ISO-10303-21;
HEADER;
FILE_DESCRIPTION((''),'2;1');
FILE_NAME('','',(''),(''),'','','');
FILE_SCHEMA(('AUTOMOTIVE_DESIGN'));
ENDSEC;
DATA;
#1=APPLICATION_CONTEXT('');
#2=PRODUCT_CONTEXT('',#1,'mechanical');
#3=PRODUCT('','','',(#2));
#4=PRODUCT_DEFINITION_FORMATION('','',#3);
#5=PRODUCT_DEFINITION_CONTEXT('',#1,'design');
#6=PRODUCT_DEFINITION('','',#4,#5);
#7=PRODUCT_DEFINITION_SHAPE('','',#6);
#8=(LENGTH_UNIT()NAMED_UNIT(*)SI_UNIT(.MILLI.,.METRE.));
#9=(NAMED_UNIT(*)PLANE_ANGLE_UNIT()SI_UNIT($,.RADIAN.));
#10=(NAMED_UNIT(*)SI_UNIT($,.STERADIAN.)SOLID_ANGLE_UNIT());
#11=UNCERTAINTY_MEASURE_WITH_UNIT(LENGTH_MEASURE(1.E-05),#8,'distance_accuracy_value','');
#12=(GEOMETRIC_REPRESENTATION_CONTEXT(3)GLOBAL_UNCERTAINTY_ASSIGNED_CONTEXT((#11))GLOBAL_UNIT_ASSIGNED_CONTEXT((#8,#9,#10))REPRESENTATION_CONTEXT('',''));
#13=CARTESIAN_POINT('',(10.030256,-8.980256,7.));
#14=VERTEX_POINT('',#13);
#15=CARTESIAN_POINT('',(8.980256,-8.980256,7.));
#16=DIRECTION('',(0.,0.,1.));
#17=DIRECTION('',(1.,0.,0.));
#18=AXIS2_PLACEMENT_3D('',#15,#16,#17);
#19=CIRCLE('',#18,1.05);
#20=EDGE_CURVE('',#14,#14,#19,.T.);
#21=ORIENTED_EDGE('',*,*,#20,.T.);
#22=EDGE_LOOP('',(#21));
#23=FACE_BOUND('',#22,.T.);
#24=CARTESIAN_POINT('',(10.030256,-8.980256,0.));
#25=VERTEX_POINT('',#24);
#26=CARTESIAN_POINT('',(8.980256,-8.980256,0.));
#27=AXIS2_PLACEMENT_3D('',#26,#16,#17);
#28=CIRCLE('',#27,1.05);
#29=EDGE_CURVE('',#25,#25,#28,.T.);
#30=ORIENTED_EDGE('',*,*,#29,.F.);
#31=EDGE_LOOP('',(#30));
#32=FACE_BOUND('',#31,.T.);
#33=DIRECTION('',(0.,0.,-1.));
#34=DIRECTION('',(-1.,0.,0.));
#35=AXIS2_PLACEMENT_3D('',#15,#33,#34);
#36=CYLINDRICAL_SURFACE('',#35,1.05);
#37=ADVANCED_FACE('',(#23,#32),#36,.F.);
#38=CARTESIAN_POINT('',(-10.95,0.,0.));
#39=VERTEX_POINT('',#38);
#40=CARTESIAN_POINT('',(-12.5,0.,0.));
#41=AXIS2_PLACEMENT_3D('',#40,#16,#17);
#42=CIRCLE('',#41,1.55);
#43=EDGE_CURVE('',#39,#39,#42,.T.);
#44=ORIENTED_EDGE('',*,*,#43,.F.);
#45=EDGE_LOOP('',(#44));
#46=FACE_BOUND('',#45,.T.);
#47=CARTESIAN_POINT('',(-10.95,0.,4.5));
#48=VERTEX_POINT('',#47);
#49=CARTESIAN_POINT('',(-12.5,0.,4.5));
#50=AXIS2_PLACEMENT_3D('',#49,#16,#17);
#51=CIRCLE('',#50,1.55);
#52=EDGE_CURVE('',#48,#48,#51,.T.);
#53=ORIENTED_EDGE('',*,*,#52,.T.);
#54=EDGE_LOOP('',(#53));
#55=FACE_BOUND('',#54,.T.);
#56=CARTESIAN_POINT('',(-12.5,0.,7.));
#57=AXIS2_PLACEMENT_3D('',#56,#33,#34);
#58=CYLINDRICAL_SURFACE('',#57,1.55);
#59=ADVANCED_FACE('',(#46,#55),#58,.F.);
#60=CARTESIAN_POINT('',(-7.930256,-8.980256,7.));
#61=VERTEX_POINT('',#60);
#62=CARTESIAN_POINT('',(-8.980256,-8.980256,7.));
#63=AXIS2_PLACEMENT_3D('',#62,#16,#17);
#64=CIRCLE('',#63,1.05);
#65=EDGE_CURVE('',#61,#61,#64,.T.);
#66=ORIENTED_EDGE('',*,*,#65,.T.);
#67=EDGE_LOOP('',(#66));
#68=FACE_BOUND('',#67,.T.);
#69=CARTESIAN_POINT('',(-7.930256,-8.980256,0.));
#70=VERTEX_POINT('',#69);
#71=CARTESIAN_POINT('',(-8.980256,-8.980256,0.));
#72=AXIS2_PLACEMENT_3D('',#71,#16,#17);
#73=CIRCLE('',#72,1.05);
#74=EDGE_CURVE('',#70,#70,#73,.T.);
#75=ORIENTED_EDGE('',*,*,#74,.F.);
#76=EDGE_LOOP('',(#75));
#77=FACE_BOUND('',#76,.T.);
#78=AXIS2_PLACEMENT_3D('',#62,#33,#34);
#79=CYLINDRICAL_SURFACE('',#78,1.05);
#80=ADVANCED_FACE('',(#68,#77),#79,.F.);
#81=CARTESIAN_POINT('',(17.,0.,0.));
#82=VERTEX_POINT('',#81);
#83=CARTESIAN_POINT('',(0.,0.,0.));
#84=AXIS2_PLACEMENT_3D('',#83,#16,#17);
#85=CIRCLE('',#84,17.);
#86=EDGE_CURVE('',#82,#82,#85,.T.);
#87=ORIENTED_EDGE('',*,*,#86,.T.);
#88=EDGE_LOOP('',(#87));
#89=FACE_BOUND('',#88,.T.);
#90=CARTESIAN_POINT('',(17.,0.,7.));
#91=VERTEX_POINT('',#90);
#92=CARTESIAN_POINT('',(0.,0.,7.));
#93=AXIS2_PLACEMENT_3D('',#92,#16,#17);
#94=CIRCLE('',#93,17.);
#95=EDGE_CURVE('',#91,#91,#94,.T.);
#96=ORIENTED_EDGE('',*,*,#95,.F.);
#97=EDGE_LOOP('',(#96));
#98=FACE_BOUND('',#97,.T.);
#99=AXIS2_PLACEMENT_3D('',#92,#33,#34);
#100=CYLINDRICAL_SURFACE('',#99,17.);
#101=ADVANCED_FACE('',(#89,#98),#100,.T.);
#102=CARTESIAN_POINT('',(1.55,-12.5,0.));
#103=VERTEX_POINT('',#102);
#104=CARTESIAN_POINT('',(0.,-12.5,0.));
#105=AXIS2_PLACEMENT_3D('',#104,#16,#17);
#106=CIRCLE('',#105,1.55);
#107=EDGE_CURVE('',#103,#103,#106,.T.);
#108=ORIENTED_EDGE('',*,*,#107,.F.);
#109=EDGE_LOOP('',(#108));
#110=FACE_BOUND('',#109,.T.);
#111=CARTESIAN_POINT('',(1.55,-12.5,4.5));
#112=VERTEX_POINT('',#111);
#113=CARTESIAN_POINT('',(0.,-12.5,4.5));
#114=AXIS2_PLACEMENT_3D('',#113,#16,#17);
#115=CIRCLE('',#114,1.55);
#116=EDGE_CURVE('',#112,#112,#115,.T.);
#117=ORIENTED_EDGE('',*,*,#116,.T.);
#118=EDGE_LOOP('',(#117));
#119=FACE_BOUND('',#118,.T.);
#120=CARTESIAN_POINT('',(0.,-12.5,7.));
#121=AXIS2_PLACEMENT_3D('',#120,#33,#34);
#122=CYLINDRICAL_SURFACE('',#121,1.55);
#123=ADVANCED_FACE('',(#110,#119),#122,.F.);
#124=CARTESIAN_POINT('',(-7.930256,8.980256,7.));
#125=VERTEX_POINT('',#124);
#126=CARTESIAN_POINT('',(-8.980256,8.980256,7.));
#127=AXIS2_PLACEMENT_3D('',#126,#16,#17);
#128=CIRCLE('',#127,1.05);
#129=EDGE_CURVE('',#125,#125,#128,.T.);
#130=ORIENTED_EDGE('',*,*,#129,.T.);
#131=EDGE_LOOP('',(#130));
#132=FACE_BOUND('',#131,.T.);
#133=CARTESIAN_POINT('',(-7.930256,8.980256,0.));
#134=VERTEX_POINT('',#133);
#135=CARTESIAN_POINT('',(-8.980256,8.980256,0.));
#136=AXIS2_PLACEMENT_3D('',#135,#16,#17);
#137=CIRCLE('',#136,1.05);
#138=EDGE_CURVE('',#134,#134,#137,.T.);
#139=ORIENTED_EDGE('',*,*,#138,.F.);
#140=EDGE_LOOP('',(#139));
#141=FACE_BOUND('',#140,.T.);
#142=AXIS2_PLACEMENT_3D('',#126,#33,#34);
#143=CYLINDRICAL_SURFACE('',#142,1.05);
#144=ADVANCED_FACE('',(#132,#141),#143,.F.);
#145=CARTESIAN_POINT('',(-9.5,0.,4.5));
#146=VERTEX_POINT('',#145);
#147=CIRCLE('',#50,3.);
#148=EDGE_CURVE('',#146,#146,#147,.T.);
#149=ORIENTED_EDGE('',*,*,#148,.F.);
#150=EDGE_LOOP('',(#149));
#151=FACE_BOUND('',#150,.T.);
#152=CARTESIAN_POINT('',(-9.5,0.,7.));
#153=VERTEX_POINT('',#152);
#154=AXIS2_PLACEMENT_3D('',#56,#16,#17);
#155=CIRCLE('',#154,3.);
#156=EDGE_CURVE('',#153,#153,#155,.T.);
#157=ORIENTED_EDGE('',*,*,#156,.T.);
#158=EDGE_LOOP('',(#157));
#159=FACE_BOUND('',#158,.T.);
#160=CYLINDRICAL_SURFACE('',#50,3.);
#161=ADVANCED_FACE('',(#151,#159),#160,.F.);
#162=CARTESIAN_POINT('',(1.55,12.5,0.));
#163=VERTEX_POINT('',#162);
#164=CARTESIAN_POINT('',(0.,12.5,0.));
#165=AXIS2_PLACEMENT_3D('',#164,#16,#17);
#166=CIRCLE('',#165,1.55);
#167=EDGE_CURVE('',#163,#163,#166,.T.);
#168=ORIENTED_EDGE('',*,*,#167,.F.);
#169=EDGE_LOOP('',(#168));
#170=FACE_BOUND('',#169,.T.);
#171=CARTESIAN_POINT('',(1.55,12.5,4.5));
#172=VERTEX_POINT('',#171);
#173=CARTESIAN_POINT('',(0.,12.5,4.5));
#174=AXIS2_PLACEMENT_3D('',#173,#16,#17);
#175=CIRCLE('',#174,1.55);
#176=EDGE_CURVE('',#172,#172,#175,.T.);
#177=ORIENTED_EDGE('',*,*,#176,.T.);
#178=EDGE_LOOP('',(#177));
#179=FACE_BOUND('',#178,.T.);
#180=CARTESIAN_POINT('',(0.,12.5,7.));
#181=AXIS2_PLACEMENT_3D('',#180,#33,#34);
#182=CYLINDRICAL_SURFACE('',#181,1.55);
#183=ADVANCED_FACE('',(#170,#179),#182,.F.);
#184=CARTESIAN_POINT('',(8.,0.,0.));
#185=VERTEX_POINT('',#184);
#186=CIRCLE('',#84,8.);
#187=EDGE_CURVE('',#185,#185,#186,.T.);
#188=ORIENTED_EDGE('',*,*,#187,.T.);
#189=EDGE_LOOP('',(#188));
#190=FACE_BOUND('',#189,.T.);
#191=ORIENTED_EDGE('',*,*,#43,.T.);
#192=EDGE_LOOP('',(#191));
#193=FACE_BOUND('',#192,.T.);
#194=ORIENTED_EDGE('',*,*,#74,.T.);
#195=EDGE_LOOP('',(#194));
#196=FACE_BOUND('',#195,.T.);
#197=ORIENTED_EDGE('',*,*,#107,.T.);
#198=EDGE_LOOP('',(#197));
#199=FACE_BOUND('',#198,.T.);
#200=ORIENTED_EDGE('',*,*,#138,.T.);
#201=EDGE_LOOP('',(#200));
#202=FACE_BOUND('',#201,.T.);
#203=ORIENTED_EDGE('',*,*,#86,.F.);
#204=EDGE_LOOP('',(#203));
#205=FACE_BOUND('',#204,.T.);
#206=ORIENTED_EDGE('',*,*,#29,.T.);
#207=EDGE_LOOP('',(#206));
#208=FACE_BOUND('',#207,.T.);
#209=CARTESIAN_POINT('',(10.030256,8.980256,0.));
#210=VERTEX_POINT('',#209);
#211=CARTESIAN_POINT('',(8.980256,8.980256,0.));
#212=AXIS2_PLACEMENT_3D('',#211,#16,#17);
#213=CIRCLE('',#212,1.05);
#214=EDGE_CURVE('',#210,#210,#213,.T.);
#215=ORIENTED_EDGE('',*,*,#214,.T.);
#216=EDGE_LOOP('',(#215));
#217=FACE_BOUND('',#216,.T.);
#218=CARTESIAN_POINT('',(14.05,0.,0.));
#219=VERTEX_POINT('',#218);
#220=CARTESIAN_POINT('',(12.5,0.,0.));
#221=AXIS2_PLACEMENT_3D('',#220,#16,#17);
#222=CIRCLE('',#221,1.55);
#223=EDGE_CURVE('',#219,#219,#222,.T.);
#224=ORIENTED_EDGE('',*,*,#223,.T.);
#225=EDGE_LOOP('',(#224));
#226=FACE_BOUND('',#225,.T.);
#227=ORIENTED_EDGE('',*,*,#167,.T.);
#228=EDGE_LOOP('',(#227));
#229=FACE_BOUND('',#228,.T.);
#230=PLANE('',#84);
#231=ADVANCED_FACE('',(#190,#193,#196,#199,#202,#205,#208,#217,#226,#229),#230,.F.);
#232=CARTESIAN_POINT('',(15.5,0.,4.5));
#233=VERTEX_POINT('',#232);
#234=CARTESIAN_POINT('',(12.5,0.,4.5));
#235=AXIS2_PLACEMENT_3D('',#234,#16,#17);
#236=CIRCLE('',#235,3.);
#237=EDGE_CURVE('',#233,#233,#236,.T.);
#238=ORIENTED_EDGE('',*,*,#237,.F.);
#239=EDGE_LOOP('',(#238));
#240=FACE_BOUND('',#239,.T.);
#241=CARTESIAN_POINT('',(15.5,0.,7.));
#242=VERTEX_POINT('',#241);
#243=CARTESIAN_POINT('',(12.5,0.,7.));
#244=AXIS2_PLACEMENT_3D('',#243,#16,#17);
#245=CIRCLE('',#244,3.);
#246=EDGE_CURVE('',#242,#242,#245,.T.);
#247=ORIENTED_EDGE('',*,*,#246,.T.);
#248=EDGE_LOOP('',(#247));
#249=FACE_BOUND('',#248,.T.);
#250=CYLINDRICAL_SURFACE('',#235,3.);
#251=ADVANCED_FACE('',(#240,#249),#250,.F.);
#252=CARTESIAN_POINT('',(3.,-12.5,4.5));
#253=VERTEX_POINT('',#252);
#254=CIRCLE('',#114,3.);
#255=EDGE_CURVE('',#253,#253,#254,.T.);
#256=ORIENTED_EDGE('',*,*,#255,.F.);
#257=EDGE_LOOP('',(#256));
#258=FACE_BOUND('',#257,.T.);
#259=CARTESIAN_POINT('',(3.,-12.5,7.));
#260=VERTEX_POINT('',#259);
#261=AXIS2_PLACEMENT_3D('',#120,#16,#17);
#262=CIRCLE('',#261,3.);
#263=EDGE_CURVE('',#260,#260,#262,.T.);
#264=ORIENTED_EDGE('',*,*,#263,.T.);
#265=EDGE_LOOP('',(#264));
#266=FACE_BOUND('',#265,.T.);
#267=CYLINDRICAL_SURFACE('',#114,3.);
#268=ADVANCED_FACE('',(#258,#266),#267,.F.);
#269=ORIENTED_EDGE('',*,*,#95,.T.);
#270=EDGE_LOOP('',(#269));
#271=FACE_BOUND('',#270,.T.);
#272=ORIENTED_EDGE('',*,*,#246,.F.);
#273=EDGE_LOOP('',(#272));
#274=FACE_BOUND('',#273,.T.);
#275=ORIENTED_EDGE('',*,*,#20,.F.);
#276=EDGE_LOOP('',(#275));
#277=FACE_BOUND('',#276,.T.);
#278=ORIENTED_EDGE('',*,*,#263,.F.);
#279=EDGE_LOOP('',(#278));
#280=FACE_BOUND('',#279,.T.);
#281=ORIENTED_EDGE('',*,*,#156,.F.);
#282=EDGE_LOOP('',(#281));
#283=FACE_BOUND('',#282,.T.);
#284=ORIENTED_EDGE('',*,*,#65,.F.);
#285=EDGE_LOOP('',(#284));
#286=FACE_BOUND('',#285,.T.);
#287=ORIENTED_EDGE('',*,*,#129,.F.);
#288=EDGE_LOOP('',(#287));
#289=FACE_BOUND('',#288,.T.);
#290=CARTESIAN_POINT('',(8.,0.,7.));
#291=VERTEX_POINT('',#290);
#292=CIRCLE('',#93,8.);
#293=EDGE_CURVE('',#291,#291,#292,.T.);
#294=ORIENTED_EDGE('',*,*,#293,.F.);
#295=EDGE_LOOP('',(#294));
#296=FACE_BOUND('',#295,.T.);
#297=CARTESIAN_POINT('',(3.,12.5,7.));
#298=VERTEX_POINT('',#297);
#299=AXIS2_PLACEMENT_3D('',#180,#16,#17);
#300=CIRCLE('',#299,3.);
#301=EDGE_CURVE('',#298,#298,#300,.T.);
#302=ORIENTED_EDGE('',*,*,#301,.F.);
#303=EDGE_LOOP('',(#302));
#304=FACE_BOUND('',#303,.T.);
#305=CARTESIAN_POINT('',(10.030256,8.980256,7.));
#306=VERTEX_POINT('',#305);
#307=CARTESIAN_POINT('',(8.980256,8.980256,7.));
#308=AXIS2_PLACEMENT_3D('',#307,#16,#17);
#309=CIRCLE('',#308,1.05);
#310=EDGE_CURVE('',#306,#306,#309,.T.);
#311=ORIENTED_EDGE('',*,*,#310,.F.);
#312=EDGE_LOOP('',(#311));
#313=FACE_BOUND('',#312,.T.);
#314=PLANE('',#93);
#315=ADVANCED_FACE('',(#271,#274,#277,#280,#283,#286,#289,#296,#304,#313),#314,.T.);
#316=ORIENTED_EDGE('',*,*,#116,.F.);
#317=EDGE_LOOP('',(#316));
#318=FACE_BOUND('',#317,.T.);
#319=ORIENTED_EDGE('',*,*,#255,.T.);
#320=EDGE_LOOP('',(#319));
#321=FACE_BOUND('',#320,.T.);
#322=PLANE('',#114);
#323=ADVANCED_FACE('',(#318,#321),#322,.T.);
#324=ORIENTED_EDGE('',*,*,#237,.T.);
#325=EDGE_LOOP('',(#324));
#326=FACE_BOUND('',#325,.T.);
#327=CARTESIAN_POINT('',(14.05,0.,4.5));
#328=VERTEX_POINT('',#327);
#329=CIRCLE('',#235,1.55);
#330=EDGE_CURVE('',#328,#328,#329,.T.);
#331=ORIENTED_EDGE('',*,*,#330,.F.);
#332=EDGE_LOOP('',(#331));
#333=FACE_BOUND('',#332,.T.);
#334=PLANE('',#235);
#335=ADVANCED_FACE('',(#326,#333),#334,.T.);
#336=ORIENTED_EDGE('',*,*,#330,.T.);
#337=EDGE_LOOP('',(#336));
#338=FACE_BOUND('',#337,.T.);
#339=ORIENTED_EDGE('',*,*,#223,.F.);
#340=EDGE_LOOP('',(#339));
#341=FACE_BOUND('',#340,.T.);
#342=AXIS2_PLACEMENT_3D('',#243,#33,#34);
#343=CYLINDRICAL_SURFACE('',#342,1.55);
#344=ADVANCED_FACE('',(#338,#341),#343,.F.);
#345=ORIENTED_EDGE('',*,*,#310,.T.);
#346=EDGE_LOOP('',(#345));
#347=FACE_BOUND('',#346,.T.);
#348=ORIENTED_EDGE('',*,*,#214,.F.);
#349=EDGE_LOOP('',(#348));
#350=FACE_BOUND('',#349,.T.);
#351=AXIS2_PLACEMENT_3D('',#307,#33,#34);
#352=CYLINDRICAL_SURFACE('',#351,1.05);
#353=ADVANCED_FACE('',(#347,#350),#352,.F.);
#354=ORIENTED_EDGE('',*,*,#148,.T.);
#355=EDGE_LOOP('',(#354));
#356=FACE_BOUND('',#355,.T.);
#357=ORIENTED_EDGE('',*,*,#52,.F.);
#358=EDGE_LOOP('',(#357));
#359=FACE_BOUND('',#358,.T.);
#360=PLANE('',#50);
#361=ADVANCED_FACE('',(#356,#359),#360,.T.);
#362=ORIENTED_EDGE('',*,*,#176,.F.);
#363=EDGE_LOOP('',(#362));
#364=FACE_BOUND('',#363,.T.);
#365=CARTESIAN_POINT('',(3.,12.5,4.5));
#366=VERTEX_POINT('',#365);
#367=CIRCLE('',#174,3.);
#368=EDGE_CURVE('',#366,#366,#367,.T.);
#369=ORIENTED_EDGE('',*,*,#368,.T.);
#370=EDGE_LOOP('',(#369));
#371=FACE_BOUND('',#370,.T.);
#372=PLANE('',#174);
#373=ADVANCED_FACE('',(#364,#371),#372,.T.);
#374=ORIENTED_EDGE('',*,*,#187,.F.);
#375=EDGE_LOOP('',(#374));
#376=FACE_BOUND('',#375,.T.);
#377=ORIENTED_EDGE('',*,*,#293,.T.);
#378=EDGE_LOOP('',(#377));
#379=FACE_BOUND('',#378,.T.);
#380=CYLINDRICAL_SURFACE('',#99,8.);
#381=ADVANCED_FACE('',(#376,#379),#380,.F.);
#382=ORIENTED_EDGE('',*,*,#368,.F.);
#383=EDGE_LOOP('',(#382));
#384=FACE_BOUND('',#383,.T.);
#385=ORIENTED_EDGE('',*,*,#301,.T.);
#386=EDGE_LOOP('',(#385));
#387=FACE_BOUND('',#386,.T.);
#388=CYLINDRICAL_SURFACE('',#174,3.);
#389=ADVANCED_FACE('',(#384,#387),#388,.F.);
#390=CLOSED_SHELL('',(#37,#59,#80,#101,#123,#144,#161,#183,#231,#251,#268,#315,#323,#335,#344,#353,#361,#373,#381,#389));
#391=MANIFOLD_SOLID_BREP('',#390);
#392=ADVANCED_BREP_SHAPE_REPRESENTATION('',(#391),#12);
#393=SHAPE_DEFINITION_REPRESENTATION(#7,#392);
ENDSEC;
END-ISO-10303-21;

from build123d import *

# Parameters (mm, degrees)
SKETCH1_R           = 17
SKETCH1_R_2         = 1.55
SKETCH1_R_3         = 1.05
SKETCH1_R_4         = 8
BOSS_EXTRUDE1_DEPTH = 7
SKETCH2_R           = 3
CUT_EXTRUDE2_DEPTH  = 2.5


with BuildPart() as part:
    # Sketch1 → Boss-Extrude1 (new body)
    with BuildSketch(Plane.XY):
        Circle(SKETCH1_R)
        with Locations((0, 12.5)):
            Circle(SKETCH1_R_2, mode=Mode.SUBTRACT)
        with Locations((12.5, 0)):
            Circle(SKETCH1_R_2, mode=Mode.SUBTRACT)
        with Locations((0, -12.5)):
            Circle(SKETCH1_R_2, mode=Mode.SUBTRACT)
        with Locations((-12.5, 0)):
            Circle(SKETCH1_R_2, mode=Mode.SUBTRACT)
        with Locations((-8.980256121, 8.980256121)):
            Circle(SKETCH1_R_3, mode=Mode.SUBTRACT)
        with Locations((8.980256121, 8.980256121)):
            Circle(SKETCH1_R_3, mode=Mode.SUBTRACT)
        with Locations((8.980256121, -8.980256121)):
            Circle(SKETCH1_R_3, mode=Mode.SUBTRACT)
        with Locations((-8.980256121, -8.980256121)):
            Circle(SKETCH1_R_3, mode=Mode.SUBTRACT)
        Circle(SKETCH1_R_4, mode=Mode.SUBTRACT)
    extrude(amount=BOSS_EXTRUDE1_DEPTH)

    # Sketch2 → Cut-Extrude2 (cut)
    with BuildSketch(Plane.XY.offset(7)):
        with Locations((0, 12.5)):
            Circle(SKETCH2_R)
        with Locations((12.5, 0)):
            Circle(SKETCH2_R)
        with Locations((0, -12.5)):
            Circle(SKETCH2_R)
        with Locations((-12.5, 0)):
            Circle(SKETCH2_R)
    extrude(amount=-CUT_EXTRUDE2_DEPTH, mode=Mode.SUBTRACT)


solid = part.part
